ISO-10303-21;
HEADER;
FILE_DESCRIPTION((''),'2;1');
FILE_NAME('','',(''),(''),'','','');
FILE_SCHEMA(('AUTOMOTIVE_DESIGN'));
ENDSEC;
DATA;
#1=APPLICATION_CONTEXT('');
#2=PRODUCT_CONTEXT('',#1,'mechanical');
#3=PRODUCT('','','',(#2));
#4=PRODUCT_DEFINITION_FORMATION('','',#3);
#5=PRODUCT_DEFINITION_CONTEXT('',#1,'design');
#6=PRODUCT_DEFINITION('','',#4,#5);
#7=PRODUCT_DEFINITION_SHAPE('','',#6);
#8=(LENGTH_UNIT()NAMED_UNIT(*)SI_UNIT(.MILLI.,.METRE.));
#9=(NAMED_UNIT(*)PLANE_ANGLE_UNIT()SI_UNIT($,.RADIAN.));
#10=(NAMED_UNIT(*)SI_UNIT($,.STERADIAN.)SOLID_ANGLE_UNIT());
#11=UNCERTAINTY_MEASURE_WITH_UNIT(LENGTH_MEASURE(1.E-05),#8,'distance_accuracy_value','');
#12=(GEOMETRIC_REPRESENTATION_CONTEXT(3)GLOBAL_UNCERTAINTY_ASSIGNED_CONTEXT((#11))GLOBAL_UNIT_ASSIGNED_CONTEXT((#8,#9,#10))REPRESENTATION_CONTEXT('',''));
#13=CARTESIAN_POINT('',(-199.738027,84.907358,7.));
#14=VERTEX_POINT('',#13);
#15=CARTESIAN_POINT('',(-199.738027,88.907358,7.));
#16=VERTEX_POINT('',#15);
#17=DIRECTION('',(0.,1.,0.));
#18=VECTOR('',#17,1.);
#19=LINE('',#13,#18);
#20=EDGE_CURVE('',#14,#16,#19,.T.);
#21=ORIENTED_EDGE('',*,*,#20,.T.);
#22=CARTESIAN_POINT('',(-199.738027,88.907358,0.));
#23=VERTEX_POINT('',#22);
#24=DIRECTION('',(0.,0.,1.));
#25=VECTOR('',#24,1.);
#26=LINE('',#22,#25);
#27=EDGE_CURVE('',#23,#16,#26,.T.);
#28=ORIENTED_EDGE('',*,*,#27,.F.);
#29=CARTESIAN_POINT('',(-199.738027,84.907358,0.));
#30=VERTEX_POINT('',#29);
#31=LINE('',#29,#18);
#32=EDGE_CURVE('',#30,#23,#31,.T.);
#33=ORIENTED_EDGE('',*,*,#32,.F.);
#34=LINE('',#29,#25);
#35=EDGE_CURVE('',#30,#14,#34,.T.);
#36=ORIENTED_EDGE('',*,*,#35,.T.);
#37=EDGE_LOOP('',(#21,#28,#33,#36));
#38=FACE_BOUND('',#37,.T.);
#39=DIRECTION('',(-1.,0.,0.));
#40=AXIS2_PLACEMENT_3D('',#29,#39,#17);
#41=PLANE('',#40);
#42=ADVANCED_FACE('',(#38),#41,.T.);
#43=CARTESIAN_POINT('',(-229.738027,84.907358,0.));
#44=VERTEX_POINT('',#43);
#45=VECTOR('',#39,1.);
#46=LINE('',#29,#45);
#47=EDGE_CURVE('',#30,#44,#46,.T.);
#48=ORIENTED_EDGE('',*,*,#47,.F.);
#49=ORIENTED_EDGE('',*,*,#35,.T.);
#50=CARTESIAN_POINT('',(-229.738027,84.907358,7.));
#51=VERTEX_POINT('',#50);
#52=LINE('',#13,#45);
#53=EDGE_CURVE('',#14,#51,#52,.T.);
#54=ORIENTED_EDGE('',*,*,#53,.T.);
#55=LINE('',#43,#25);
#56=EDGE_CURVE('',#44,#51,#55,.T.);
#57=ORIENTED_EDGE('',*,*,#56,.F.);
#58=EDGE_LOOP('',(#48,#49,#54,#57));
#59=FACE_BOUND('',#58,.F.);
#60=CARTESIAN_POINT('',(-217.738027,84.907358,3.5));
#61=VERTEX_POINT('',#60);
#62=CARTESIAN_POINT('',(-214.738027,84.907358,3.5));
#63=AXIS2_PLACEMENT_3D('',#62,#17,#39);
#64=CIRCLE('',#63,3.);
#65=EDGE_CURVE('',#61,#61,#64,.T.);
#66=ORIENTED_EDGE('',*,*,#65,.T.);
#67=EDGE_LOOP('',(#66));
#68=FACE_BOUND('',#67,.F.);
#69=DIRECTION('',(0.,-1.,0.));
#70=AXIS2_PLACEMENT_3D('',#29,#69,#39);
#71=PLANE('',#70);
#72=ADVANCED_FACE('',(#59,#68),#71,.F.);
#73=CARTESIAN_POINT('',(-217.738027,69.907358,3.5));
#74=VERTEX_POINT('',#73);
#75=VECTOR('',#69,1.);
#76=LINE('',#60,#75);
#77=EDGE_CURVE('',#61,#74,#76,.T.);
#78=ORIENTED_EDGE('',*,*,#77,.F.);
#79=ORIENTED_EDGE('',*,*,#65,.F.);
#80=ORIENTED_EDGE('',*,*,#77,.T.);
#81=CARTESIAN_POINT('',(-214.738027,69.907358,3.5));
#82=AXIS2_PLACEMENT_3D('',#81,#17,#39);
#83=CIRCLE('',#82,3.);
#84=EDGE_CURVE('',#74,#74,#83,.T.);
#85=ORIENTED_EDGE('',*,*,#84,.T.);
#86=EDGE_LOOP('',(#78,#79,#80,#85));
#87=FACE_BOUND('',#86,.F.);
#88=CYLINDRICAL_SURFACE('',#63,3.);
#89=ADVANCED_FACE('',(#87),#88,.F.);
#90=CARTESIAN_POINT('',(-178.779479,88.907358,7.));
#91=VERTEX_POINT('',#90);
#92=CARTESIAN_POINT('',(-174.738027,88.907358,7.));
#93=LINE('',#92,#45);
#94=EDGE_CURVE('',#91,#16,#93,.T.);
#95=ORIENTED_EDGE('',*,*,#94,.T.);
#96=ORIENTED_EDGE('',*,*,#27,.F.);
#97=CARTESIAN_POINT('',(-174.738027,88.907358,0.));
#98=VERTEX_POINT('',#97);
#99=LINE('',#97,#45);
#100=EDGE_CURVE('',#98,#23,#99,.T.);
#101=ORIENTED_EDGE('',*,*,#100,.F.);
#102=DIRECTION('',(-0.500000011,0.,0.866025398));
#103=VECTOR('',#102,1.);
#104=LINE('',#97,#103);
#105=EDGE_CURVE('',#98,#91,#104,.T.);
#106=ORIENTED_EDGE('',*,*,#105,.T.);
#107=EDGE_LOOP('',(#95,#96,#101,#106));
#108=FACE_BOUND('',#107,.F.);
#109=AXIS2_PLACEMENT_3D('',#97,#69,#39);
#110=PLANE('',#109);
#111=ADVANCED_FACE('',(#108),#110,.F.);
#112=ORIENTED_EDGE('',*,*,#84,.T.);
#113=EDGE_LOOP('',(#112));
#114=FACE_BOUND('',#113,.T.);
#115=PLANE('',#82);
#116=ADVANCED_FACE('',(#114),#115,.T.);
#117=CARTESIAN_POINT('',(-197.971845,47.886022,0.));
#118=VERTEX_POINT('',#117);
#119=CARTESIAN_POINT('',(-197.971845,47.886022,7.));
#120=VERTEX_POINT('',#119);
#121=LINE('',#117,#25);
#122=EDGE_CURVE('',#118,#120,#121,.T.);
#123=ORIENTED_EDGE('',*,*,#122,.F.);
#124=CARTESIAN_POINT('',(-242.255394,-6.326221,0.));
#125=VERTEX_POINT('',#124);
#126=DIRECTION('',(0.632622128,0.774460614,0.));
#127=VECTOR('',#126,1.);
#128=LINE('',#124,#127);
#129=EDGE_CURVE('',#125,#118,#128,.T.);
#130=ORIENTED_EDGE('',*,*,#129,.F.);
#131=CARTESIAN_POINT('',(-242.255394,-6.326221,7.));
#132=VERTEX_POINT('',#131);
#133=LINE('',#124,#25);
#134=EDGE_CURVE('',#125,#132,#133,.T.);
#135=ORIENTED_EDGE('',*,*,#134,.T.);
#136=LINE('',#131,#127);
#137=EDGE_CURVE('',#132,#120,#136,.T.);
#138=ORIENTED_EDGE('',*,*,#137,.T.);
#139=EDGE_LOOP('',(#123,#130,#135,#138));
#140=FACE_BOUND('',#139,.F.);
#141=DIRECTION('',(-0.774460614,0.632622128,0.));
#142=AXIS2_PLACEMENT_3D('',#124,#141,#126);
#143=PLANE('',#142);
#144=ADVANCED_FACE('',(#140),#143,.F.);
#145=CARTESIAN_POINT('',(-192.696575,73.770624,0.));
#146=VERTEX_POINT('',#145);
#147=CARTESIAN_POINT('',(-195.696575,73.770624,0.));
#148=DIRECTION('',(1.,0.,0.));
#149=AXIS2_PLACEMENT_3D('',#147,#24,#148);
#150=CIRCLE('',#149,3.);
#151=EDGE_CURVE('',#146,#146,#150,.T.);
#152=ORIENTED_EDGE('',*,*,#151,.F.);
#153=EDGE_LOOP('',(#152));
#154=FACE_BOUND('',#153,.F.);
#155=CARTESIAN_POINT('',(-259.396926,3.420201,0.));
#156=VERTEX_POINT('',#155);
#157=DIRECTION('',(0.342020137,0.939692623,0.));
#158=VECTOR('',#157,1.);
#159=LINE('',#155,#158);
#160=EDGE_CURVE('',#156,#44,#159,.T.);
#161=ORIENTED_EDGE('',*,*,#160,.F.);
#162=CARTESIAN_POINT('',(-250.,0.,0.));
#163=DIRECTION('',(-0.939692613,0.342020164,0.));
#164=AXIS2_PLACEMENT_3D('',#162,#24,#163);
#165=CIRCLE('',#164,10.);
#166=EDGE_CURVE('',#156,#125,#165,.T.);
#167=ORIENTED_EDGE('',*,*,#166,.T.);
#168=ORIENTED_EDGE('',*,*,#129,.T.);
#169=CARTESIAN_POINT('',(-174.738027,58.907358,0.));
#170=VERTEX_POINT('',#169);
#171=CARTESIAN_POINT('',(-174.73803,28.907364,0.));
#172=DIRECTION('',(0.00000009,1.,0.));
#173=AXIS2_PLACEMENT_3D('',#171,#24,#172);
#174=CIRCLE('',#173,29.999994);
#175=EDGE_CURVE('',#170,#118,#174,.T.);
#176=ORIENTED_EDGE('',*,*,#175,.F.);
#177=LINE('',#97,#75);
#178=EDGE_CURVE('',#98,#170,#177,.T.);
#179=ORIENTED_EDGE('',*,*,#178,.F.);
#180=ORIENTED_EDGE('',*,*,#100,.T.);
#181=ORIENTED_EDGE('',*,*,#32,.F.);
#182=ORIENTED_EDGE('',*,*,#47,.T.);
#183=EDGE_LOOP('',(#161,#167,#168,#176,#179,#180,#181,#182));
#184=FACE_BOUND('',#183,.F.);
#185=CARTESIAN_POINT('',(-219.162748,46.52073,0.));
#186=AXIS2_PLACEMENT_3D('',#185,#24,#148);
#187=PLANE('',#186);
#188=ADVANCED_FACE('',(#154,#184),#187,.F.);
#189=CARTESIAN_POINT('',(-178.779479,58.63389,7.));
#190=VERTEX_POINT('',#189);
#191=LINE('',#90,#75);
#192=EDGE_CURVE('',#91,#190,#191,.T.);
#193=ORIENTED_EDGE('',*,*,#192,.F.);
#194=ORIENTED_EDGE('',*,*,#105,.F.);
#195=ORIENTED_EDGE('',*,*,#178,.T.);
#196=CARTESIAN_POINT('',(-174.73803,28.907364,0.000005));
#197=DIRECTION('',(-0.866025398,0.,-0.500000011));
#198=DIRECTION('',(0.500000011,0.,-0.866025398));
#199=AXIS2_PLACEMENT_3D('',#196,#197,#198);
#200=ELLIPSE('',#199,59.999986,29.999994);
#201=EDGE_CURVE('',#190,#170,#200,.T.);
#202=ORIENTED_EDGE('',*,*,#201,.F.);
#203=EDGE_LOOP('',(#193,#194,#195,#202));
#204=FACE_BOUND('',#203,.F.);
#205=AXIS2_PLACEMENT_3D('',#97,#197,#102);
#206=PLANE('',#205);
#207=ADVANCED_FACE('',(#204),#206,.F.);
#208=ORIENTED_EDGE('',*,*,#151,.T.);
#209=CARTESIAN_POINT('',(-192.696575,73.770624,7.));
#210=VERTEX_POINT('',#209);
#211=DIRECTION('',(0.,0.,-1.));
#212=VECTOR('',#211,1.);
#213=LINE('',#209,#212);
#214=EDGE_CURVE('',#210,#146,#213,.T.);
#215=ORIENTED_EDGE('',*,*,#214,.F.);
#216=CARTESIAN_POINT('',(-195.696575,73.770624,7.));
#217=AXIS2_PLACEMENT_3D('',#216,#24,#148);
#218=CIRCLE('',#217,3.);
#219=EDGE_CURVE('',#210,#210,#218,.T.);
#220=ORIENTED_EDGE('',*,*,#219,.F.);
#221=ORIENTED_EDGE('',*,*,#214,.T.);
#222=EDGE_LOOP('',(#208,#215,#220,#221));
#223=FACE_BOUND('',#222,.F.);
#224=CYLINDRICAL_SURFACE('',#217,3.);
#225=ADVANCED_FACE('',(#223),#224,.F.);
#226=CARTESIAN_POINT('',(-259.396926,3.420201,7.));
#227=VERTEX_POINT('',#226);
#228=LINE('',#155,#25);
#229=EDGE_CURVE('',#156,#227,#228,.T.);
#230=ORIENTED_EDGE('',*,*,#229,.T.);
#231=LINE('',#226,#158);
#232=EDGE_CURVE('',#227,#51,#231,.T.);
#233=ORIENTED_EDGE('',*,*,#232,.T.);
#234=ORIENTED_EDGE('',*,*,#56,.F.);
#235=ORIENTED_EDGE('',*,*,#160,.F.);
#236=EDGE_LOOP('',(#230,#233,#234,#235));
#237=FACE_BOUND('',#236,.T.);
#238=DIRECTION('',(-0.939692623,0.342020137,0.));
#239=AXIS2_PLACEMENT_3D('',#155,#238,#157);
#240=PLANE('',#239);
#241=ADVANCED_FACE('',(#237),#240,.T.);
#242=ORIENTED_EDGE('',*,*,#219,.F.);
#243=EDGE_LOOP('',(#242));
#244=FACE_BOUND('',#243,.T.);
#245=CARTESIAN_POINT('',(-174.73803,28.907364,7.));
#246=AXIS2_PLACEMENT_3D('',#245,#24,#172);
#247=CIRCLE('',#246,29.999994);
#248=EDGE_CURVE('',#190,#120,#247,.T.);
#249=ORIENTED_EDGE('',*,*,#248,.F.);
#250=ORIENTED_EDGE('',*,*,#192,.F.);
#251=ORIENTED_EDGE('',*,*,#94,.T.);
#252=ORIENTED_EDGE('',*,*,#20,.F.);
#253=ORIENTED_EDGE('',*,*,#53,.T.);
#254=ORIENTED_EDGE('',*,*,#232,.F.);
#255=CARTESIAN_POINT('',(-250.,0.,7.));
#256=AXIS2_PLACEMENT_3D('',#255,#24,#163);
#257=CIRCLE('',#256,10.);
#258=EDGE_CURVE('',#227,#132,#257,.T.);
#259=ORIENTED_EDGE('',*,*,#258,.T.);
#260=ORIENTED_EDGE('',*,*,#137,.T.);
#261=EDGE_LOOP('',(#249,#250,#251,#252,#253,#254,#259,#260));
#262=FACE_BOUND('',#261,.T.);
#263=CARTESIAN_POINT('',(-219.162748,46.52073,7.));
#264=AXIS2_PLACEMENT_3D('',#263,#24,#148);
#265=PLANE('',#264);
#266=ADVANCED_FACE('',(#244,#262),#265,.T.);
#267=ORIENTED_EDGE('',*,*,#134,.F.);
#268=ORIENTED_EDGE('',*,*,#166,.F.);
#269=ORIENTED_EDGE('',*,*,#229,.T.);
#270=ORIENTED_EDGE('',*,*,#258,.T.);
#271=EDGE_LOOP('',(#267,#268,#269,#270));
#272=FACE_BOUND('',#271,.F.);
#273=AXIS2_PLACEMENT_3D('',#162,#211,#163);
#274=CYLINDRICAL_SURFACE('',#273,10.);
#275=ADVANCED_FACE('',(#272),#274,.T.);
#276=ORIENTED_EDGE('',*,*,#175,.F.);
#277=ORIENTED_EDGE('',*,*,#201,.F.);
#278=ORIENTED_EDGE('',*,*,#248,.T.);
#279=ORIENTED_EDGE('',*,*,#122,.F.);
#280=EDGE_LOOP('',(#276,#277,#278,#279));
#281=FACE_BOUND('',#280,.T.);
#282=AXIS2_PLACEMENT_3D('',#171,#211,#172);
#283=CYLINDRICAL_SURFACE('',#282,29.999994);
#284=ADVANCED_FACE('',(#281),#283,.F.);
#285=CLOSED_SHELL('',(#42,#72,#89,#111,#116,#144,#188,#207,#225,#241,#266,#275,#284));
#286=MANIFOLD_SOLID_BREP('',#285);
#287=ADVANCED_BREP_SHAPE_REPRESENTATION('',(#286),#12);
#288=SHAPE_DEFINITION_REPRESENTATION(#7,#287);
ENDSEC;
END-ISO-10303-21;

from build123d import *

# Parameters (mm, degrees)
PAD002_DEPTH    = 7
SKETCH025_R     = 3
POCKET018_DEPTH = 15
POCKET019_DEPTH = 98.908358
SKETCH028_R     = 3
POCKET021_DEPTH = 7.001


with BuildPart() as part:
    # Sketch023 → Pad002 (new body)
    with BuildSketch(Plane.XY):
        with BuildLine():
            Line((75.261973, 88.907358), (50.261973, 88.907358))
            Line((50.261973, 84.907358), (50.261973, 88.907358))
            Line((50.261973, 84.907358), (20.261973, 84.907358))
            Line((-9.396926, 3.420201), (20.261973, 84.907358))
            ThreePointArc((-9.396926, 3.420201), (-4.942745, -8.693059), (7.744606, -6.326221))
            Line((7.744606, -6.326221), (52.028155, 47.886022))
            ThreePointArc((75.261973, 58.907358), (62.404289, 56.012339), (52.028155, 47.886022))
            Line((75.261973, 88.907358), (75.261973, 58.907358))
        make_face()
    extrude(amount=PAD002_DEPTH)

    # Sketch025 (on Face4 of Pad002) → Pocket018 (cut)
    with BuildSketch(Plane(origin=(0, 84.907358, 0), x_dir=(-1, 0, 0), z_dir=(0, 1, 0))):
        with Locations((-35.261973, 3.5)):
            Circle(SKETCH025_R)
    extrude(amount=-POCKET018_DEPTH, mode=Mode.SUBTRACT)

    # Sketch026 (on Face2 of Pocket018) → Pocket019 (cut, through all)
    with BuildSketch(Plane(origin=(0, 88.907358, 0), x_dir=(-1, 0, 0), z_dir=(0, 1, 0))):
        Polygon((-75.261973, 7), (-75.261973, 0), (-71.220521, 7), align=None)
    extrude(amount=-POCKET019_DEPTH, mode=Mode.SUBTRACT)

    # Sketch028 → Pocket021 (cut, through all)
    with BuildSketch(Plane.XY.offset(7)):
        with Locations((54.303425, 73.770624)):
            Circle(SKETCH028_R)
    extrude(amount=-POCKET021_DEPTH, mode=Mode.SUBTRACT)


with BuildPart() as part_1:
    # Body002 placement: moved
    add(part.part.moved(Location((-250, 0, 0))))


solid = part_1.part
